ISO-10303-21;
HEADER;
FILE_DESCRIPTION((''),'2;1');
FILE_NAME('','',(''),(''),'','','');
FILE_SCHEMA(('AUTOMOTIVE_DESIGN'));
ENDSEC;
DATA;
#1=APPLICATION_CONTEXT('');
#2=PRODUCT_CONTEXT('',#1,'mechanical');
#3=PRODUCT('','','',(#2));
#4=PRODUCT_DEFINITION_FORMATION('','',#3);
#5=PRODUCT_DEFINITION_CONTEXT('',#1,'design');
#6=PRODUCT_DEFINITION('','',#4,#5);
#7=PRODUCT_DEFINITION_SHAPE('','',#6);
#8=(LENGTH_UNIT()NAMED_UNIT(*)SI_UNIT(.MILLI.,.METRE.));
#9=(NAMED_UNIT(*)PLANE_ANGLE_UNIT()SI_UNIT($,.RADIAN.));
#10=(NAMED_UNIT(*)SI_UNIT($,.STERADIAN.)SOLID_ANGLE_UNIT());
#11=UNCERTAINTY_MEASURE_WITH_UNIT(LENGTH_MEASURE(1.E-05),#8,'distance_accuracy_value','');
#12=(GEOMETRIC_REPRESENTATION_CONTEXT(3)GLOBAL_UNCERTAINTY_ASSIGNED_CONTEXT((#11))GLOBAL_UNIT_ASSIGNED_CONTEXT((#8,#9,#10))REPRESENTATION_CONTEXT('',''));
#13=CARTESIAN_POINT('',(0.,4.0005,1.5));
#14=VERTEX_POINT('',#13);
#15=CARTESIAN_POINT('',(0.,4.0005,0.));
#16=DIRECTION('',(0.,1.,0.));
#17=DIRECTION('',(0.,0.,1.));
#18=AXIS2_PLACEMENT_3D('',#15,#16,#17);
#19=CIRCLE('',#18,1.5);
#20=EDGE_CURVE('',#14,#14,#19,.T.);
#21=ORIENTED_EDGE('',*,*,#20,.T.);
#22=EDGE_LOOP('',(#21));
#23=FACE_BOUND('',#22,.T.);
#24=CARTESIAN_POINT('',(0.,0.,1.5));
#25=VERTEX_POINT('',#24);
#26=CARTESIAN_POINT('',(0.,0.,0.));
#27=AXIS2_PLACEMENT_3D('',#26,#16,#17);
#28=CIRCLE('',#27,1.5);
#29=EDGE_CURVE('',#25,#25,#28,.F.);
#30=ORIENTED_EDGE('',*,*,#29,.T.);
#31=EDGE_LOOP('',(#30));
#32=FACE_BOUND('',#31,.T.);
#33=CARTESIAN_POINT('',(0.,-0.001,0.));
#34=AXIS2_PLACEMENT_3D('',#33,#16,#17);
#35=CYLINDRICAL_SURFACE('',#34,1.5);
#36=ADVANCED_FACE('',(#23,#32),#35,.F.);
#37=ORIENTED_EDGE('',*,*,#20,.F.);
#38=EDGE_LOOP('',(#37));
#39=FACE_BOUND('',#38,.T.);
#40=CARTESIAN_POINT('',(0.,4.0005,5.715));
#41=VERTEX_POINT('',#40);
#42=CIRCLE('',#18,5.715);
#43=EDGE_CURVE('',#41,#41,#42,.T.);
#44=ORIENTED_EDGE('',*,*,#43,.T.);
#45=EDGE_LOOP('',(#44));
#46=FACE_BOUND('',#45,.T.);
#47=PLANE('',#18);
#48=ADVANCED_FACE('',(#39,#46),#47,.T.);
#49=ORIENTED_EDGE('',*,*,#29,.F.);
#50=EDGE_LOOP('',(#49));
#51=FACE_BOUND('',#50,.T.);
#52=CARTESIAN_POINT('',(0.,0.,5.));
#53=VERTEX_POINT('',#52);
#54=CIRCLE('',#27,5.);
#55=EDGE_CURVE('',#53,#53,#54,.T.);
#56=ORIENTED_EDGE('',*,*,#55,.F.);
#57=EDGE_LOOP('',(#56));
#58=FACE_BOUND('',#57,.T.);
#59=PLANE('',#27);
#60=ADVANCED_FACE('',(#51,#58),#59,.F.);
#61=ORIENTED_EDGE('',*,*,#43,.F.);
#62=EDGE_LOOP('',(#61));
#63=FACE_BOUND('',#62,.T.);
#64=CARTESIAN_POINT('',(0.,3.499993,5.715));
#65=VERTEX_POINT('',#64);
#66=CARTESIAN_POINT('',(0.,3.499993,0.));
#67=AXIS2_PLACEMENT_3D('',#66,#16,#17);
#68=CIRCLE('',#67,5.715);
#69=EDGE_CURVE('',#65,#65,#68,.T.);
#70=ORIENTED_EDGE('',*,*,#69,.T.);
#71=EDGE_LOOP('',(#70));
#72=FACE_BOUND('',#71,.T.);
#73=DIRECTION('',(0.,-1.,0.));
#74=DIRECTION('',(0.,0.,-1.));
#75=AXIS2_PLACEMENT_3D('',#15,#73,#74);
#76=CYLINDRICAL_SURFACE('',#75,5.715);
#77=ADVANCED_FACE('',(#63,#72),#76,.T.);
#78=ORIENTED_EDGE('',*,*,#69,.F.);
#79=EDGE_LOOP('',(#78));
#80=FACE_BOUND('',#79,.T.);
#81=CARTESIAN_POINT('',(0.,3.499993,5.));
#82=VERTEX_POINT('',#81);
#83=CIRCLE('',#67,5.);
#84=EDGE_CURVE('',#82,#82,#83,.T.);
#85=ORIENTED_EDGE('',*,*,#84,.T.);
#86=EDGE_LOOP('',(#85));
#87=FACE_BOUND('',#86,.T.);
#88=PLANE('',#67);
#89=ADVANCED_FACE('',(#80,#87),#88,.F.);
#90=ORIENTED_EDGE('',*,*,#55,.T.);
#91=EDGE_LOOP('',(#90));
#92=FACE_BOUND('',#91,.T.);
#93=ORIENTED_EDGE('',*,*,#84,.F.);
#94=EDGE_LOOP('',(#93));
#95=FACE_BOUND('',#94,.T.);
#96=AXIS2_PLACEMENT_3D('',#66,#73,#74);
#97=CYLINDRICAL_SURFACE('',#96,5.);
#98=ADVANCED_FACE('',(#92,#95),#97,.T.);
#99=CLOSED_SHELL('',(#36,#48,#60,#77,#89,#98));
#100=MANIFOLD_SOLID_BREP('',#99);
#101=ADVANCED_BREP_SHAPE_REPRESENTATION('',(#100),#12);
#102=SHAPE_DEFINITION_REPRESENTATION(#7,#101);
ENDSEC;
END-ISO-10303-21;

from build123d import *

# Parameters (mm, degrees)
SKETCH1_R           = 5
BOSS_EXTRUDE1_DEPTH = 3.499993
SKETCH2_R           = 5.715
BOSS_EXTRUDE2_DEPTH = 0.500507
CUT_EXTRUDE1_REACH  = 11.018
SKETCH3_R           = 1.5


with BuildPart() as part:
    # Sketch1 → Boss-Extrude1 (new body)
    with BuildSketch(Plane(origin=(0, 0, 0), x_dir=(1, 0, 0), z_dir=(0, 1, 0))):
        with Locations(Location((0, 0, 0), (0, 0, 270))):
            Circle(SKETCH1_R)
    extrude(amount=BOSS_EXTRUDE1_DEPTH)

    # Sketch2 → Boss-Extrude2 (add)
    with BuildSketch(Plane(origin=(0, 3.499993, 0), x_dir=(1, 0, 0), z_dir=(0, 1, 0))):
        with Locations(Location((0, 0, 0), (0, 0, 270))):
            Circle(SKETCH2_R)
    extrude(amount=BOSS_EXTRUDE2_DEPTH)

    # Sketch3 → Cut-Extrude1 (cut, up to next)
    with BuildSketch(Plane(origin=(0, 4.0005, 0), x_dir=(1, 0, 0), z_dir=(0, 1, 0)), mode=Mode.PRIVATE) as cut_extrude1_sk1:
        with Locations(Location((0, 0, 0), (0, 0, 270))):
            Circle(SKETCH3_R)
    cut_extrude1_tool1 = extrude(cut_extrude1_sk1.sketch, amount=-CUT_EXTRUDE1_REACH, mode=Mode.PRIVATE) & part.part
    add(cut_extrude1_tool1.solids().sort_by_distance((0, 4.0005, 0))[0], mode=Mode.SUBTRACT)


solid = part.part
